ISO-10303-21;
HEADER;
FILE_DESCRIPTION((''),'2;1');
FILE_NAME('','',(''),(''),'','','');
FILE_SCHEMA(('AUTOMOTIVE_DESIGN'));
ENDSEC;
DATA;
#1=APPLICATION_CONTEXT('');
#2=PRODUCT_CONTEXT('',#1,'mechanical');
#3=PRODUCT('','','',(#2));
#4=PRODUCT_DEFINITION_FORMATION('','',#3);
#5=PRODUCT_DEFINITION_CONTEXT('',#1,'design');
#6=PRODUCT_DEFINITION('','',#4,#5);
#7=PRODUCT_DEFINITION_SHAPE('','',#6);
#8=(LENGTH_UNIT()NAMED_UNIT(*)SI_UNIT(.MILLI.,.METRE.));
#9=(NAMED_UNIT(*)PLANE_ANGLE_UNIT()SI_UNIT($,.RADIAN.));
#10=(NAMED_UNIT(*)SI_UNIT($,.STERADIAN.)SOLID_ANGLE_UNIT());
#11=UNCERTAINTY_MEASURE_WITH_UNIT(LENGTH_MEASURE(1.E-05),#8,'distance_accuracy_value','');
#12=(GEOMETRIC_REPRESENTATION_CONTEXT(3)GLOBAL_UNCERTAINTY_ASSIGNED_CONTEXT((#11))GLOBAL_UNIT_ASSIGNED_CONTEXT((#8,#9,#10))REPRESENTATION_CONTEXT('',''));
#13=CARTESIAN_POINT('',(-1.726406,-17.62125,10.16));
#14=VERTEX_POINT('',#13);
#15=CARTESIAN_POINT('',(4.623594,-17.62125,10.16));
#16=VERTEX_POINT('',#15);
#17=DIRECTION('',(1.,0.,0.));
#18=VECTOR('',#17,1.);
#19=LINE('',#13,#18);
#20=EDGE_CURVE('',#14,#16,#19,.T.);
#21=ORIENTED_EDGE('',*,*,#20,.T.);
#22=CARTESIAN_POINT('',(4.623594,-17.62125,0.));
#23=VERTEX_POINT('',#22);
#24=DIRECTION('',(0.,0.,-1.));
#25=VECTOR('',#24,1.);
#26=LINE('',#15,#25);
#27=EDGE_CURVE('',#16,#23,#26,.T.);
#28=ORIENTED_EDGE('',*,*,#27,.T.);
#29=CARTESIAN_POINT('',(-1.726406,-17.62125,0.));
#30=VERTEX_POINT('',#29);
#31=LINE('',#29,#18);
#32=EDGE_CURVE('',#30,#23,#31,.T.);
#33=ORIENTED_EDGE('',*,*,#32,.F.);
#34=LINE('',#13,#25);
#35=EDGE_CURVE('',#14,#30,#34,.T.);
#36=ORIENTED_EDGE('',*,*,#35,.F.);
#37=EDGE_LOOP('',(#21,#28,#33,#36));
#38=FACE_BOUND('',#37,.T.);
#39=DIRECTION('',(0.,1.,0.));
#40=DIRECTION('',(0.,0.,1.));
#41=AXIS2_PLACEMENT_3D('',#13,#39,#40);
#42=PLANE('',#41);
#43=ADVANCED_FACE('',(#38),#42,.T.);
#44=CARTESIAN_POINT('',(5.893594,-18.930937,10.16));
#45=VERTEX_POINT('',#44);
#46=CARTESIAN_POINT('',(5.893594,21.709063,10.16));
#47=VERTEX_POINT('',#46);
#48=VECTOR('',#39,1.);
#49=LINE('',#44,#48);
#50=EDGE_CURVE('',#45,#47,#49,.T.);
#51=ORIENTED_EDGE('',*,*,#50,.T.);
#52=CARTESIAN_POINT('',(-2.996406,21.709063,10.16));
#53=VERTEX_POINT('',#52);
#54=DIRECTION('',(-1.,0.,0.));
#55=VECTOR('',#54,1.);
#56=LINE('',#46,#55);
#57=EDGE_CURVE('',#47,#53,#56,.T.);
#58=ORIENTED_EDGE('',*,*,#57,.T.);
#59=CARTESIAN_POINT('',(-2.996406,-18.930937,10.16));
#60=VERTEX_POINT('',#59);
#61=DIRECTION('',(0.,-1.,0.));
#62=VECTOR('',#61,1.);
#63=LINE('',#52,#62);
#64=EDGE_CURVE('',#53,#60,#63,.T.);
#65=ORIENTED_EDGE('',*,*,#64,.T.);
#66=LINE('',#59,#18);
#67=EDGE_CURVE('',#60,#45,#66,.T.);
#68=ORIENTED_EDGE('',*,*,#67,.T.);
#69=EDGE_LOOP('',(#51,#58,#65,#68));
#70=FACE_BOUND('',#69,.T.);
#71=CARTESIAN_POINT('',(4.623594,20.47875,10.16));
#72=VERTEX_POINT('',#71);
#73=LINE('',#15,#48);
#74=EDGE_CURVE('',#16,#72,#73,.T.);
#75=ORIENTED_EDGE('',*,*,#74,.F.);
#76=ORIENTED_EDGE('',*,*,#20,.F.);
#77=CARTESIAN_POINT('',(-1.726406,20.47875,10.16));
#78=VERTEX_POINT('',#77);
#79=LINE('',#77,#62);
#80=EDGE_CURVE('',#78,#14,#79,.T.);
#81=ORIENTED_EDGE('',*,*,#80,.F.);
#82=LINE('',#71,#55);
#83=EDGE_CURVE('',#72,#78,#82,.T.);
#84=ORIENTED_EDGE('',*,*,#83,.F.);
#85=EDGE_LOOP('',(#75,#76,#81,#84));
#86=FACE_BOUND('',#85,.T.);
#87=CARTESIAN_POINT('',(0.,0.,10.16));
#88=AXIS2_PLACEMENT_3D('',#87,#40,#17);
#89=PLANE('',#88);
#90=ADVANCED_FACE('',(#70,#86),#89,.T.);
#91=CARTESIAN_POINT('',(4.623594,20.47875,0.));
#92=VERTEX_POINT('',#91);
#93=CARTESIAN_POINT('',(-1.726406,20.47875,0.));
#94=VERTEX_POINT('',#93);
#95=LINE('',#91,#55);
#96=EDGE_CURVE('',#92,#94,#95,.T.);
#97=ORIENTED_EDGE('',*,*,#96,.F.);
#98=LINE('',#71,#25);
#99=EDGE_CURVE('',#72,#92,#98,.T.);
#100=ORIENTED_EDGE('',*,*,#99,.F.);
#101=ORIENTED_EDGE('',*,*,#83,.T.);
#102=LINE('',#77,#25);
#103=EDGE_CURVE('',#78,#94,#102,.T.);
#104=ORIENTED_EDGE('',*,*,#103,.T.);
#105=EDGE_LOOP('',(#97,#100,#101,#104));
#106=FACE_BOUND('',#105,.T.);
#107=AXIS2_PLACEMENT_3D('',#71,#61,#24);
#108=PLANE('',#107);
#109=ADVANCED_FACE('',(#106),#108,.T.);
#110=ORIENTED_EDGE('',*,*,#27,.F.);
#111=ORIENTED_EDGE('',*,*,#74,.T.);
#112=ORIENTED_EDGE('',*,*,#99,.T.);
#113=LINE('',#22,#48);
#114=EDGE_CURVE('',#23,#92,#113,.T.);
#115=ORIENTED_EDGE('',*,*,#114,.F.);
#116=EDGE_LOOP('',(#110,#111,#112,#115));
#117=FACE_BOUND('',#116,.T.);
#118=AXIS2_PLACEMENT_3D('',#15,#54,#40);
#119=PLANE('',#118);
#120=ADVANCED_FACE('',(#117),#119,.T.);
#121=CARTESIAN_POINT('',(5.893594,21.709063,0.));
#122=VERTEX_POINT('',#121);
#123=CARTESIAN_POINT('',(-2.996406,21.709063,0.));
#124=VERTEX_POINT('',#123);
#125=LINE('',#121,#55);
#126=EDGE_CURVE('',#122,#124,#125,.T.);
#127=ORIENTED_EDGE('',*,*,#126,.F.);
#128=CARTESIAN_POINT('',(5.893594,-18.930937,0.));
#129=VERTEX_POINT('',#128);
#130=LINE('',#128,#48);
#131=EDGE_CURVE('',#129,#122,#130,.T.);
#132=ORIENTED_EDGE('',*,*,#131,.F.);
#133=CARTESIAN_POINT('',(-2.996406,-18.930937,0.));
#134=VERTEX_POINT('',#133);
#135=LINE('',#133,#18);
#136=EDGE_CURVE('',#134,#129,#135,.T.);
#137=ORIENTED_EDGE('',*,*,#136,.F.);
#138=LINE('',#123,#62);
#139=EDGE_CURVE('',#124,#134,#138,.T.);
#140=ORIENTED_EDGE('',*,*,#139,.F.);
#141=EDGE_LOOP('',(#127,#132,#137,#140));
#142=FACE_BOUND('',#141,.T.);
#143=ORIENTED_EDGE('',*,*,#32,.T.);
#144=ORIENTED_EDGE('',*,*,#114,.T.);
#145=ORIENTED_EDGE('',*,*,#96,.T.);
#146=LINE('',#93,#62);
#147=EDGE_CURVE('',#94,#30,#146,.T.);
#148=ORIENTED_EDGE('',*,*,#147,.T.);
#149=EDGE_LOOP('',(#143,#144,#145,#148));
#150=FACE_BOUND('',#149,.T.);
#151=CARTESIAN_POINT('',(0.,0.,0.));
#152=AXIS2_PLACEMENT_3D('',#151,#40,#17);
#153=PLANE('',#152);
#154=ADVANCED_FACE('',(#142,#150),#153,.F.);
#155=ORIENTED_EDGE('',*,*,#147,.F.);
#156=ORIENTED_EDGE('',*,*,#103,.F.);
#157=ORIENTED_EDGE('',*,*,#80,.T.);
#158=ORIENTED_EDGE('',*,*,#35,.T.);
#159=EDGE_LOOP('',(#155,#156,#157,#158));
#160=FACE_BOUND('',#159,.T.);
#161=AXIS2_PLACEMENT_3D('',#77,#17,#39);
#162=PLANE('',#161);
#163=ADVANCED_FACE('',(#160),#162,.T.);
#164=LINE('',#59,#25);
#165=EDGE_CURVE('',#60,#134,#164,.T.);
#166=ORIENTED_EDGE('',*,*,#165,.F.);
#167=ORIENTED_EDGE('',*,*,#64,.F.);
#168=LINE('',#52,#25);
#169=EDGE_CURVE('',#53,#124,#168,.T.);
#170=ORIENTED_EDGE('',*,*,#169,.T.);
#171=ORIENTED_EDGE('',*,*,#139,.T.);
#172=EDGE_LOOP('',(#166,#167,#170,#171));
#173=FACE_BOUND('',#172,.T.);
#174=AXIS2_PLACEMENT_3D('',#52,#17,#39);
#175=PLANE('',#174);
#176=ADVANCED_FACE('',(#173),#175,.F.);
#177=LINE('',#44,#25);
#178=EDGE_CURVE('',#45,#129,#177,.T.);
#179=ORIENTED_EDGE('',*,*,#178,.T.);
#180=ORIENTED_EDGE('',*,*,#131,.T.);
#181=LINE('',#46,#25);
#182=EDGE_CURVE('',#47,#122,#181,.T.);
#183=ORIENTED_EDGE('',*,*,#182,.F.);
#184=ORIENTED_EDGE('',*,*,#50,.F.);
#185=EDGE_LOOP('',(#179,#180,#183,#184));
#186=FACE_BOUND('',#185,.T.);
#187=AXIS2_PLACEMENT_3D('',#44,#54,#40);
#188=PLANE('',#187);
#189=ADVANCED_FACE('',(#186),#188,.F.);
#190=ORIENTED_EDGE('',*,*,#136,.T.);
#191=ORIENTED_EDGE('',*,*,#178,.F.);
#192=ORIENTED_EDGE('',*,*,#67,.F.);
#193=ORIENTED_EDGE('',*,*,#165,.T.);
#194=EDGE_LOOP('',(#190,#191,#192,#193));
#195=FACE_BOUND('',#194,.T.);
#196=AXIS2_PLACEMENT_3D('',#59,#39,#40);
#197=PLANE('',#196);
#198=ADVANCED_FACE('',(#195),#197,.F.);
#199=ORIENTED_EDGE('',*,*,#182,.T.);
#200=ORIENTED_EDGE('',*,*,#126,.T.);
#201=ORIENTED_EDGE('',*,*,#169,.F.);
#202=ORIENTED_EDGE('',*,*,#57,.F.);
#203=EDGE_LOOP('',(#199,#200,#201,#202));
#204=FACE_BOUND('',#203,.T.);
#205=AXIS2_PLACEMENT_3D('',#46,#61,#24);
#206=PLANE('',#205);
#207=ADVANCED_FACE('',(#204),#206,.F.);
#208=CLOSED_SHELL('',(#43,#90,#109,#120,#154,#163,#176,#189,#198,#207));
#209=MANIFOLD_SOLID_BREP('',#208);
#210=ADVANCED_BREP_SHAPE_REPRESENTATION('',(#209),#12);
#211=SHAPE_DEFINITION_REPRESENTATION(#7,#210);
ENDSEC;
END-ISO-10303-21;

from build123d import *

# Parameters (mm, degrees)
SKETCH4_W           = 8.89
SKETCH4_H           = 40.64
SKETCH4_W_2         = 6.35
SKETCH4_H_2         = 38.1
BOSS_EXTRUDE2_DEPTH = 10.16


with BuildPart() as part:
    # Sketch4 → Boss-Extrude2 (new body)
    with BuildSketch(Plane.XY):
        with Locations((1.44859375, 1.3890625)):
            Rectangle(SKETCH4_W, SKETCH4_H)
        with Locations((1.44859375, 1.42875)):
            Rectangle(SKETCH4_W_2, SKETCH4_H_2, mode=Mode.SUBTRACT)
    extrude(amount=BOSS_EXTRUDE2_DEPTH)


solid = part.part
